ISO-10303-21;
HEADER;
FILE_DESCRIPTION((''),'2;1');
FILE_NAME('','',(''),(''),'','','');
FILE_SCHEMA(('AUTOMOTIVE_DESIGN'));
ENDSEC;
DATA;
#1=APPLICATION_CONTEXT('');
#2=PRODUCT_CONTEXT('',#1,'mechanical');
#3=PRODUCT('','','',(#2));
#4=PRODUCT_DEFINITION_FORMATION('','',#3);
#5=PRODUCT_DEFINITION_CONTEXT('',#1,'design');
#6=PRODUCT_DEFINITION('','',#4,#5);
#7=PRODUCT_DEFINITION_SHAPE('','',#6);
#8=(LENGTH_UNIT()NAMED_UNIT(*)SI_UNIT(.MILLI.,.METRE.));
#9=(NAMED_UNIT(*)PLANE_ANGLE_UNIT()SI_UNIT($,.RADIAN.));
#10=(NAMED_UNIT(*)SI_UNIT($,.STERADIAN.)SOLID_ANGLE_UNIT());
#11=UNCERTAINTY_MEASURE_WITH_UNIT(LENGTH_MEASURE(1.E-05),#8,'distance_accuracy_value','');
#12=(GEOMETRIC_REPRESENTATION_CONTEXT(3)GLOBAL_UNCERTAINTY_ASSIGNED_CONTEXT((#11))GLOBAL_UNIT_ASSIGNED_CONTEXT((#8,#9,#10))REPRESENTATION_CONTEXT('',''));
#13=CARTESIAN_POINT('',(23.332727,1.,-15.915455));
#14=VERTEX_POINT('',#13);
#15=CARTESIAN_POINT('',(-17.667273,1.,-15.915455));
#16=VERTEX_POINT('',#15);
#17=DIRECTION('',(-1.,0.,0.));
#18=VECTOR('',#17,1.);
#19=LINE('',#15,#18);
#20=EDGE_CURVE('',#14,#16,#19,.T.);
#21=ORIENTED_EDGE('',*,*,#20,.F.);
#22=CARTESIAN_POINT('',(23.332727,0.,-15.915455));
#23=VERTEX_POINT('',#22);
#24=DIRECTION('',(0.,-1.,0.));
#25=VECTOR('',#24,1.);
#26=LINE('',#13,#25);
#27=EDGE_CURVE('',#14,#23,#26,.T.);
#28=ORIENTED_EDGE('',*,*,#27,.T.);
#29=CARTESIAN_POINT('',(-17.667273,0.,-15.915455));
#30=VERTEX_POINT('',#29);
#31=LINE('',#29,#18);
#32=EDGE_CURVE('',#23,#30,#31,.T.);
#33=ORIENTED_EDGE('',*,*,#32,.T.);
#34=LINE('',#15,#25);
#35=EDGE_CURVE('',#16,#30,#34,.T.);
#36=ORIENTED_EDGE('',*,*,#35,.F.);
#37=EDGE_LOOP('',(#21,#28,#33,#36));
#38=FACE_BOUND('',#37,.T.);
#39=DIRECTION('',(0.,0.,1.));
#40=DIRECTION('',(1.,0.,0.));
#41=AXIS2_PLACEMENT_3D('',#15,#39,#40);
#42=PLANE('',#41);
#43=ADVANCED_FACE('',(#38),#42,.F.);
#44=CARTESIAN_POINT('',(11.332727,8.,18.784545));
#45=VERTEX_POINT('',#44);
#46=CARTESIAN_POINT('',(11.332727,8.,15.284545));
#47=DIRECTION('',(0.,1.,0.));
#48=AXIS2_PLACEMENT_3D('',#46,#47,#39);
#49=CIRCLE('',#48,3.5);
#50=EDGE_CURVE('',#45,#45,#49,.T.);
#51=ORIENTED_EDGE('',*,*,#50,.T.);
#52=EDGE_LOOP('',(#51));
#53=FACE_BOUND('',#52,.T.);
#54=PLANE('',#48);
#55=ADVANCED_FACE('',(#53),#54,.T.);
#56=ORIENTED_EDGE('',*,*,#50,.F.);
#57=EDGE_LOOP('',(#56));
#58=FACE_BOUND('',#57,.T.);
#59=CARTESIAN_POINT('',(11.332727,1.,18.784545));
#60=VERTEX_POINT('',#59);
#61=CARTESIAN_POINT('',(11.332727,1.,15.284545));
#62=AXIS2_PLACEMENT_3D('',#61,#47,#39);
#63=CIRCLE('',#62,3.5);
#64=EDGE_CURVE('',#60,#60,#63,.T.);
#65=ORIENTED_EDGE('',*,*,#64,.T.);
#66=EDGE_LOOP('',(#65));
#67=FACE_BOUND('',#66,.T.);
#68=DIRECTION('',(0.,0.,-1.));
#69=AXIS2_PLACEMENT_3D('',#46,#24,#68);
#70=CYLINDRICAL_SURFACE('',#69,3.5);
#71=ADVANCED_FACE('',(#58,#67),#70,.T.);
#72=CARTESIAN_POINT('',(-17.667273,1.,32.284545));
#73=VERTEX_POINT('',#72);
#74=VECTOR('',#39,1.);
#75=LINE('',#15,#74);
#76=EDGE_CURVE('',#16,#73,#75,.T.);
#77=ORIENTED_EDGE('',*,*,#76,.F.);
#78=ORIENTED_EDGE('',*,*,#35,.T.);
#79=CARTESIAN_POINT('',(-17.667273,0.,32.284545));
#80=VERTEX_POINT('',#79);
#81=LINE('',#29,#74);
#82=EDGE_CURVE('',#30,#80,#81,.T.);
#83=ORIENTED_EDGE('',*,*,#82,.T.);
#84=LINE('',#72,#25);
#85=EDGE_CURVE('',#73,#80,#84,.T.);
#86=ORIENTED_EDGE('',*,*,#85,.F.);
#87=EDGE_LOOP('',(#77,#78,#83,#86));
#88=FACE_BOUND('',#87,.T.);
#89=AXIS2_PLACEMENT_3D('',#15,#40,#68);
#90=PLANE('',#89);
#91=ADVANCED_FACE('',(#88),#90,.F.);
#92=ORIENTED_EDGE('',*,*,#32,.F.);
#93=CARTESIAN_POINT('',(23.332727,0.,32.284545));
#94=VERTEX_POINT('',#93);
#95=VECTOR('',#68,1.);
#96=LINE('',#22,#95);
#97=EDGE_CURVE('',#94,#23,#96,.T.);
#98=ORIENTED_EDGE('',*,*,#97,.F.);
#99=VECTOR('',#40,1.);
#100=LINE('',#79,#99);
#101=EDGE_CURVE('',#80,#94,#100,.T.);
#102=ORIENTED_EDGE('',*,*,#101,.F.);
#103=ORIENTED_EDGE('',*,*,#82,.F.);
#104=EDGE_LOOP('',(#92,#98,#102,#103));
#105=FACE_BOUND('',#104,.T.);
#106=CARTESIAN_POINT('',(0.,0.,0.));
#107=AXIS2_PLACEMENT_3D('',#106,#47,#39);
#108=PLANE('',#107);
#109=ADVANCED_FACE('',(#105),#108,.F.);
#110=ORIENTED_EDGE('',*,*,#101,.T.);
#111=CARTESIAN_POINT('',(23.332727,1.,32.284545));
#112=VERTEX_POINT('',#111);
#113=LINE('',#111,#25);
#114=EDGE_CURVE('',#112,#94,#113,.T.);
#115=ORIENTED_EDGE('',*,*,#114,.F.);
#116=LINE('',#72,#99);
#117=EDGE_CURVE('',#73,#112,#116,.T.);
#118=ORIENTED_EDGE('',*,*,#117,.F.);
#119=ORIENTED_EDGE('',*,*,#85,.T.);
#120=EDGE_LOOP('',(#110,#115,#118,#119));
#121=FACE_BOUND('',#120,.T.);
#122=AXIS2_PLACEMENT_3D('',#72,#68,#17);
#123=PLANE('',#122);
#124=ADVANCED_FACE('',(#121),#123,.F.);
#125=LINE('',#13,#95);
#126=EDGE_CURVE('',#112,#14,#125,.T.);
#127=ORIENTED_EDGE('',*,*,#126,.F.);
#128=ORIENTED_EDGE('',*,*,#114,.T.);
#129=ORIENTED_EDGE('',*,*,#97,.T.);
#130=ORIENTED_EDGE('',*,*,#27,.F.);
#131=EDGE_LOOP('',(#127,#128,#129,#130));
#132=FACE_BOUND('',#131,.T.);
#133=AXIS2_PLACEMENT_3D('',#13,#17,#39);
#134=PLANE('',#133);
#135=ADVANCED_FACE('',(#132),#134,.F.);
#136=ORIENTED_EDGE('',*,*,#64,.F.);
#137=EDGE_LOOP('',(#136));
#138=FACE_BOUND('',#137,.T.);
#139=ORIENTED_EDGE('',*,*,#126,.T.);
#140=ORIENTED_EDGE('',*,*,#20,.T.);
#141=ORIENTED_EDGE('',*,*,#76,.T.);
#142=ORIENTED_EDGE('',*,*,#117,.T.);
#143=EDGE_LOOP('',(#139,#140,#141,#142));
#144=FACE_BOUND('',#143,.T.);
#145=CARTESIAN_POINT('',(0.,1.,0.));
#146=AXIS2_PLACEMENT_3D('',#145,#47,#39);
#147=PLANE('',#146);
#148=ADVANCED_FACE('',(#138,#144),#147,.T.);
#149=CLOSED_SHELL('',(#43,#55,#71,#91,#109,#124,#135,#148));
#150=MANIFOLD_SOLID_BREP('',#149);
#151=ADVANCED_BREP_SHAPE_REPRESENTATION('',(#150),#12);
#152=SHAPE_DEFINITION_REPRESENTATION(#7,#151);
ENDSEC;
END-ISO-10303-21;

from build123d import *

# Parameters (mm, degrees)
SKETCH1_W           = 41
SKETCH1_H           = 48.2
BOSS_EXTRUDE1_DEPTH = 1
SKETCH8_R           = 3.5
BOSS_EXTRUDE2_DEPTH = 7


with BuildPart() as part:
    # Sketch1 → Boss-Extrude1 (new body)
    with BuildSketch(Plane(origin=(0, 0, 0), x_dir=(1, 0, 0), z_dir=(0, 1, 0))):
        with Locations((2.832727273, -8.184545455)):
            Rectangle(SKETCH1_W, SKETCH1_H)
    extrude(amount=BOSS_EXTRUDE1_DEPTH)

    # Sketch8 → Boss-Extrude2 (add)
    with BuildSketch(Plane(origin=(0, 1, 0), x_dir=(1, 0, 0), z_dir=(0, 1, 0))):
        with Locations((11.332727273, -15.284545455)):
            Circle(SKETCH8_R)
    extrude(amount=BOSS_EXTRUDE2_DEPTH)


solid = part.part
